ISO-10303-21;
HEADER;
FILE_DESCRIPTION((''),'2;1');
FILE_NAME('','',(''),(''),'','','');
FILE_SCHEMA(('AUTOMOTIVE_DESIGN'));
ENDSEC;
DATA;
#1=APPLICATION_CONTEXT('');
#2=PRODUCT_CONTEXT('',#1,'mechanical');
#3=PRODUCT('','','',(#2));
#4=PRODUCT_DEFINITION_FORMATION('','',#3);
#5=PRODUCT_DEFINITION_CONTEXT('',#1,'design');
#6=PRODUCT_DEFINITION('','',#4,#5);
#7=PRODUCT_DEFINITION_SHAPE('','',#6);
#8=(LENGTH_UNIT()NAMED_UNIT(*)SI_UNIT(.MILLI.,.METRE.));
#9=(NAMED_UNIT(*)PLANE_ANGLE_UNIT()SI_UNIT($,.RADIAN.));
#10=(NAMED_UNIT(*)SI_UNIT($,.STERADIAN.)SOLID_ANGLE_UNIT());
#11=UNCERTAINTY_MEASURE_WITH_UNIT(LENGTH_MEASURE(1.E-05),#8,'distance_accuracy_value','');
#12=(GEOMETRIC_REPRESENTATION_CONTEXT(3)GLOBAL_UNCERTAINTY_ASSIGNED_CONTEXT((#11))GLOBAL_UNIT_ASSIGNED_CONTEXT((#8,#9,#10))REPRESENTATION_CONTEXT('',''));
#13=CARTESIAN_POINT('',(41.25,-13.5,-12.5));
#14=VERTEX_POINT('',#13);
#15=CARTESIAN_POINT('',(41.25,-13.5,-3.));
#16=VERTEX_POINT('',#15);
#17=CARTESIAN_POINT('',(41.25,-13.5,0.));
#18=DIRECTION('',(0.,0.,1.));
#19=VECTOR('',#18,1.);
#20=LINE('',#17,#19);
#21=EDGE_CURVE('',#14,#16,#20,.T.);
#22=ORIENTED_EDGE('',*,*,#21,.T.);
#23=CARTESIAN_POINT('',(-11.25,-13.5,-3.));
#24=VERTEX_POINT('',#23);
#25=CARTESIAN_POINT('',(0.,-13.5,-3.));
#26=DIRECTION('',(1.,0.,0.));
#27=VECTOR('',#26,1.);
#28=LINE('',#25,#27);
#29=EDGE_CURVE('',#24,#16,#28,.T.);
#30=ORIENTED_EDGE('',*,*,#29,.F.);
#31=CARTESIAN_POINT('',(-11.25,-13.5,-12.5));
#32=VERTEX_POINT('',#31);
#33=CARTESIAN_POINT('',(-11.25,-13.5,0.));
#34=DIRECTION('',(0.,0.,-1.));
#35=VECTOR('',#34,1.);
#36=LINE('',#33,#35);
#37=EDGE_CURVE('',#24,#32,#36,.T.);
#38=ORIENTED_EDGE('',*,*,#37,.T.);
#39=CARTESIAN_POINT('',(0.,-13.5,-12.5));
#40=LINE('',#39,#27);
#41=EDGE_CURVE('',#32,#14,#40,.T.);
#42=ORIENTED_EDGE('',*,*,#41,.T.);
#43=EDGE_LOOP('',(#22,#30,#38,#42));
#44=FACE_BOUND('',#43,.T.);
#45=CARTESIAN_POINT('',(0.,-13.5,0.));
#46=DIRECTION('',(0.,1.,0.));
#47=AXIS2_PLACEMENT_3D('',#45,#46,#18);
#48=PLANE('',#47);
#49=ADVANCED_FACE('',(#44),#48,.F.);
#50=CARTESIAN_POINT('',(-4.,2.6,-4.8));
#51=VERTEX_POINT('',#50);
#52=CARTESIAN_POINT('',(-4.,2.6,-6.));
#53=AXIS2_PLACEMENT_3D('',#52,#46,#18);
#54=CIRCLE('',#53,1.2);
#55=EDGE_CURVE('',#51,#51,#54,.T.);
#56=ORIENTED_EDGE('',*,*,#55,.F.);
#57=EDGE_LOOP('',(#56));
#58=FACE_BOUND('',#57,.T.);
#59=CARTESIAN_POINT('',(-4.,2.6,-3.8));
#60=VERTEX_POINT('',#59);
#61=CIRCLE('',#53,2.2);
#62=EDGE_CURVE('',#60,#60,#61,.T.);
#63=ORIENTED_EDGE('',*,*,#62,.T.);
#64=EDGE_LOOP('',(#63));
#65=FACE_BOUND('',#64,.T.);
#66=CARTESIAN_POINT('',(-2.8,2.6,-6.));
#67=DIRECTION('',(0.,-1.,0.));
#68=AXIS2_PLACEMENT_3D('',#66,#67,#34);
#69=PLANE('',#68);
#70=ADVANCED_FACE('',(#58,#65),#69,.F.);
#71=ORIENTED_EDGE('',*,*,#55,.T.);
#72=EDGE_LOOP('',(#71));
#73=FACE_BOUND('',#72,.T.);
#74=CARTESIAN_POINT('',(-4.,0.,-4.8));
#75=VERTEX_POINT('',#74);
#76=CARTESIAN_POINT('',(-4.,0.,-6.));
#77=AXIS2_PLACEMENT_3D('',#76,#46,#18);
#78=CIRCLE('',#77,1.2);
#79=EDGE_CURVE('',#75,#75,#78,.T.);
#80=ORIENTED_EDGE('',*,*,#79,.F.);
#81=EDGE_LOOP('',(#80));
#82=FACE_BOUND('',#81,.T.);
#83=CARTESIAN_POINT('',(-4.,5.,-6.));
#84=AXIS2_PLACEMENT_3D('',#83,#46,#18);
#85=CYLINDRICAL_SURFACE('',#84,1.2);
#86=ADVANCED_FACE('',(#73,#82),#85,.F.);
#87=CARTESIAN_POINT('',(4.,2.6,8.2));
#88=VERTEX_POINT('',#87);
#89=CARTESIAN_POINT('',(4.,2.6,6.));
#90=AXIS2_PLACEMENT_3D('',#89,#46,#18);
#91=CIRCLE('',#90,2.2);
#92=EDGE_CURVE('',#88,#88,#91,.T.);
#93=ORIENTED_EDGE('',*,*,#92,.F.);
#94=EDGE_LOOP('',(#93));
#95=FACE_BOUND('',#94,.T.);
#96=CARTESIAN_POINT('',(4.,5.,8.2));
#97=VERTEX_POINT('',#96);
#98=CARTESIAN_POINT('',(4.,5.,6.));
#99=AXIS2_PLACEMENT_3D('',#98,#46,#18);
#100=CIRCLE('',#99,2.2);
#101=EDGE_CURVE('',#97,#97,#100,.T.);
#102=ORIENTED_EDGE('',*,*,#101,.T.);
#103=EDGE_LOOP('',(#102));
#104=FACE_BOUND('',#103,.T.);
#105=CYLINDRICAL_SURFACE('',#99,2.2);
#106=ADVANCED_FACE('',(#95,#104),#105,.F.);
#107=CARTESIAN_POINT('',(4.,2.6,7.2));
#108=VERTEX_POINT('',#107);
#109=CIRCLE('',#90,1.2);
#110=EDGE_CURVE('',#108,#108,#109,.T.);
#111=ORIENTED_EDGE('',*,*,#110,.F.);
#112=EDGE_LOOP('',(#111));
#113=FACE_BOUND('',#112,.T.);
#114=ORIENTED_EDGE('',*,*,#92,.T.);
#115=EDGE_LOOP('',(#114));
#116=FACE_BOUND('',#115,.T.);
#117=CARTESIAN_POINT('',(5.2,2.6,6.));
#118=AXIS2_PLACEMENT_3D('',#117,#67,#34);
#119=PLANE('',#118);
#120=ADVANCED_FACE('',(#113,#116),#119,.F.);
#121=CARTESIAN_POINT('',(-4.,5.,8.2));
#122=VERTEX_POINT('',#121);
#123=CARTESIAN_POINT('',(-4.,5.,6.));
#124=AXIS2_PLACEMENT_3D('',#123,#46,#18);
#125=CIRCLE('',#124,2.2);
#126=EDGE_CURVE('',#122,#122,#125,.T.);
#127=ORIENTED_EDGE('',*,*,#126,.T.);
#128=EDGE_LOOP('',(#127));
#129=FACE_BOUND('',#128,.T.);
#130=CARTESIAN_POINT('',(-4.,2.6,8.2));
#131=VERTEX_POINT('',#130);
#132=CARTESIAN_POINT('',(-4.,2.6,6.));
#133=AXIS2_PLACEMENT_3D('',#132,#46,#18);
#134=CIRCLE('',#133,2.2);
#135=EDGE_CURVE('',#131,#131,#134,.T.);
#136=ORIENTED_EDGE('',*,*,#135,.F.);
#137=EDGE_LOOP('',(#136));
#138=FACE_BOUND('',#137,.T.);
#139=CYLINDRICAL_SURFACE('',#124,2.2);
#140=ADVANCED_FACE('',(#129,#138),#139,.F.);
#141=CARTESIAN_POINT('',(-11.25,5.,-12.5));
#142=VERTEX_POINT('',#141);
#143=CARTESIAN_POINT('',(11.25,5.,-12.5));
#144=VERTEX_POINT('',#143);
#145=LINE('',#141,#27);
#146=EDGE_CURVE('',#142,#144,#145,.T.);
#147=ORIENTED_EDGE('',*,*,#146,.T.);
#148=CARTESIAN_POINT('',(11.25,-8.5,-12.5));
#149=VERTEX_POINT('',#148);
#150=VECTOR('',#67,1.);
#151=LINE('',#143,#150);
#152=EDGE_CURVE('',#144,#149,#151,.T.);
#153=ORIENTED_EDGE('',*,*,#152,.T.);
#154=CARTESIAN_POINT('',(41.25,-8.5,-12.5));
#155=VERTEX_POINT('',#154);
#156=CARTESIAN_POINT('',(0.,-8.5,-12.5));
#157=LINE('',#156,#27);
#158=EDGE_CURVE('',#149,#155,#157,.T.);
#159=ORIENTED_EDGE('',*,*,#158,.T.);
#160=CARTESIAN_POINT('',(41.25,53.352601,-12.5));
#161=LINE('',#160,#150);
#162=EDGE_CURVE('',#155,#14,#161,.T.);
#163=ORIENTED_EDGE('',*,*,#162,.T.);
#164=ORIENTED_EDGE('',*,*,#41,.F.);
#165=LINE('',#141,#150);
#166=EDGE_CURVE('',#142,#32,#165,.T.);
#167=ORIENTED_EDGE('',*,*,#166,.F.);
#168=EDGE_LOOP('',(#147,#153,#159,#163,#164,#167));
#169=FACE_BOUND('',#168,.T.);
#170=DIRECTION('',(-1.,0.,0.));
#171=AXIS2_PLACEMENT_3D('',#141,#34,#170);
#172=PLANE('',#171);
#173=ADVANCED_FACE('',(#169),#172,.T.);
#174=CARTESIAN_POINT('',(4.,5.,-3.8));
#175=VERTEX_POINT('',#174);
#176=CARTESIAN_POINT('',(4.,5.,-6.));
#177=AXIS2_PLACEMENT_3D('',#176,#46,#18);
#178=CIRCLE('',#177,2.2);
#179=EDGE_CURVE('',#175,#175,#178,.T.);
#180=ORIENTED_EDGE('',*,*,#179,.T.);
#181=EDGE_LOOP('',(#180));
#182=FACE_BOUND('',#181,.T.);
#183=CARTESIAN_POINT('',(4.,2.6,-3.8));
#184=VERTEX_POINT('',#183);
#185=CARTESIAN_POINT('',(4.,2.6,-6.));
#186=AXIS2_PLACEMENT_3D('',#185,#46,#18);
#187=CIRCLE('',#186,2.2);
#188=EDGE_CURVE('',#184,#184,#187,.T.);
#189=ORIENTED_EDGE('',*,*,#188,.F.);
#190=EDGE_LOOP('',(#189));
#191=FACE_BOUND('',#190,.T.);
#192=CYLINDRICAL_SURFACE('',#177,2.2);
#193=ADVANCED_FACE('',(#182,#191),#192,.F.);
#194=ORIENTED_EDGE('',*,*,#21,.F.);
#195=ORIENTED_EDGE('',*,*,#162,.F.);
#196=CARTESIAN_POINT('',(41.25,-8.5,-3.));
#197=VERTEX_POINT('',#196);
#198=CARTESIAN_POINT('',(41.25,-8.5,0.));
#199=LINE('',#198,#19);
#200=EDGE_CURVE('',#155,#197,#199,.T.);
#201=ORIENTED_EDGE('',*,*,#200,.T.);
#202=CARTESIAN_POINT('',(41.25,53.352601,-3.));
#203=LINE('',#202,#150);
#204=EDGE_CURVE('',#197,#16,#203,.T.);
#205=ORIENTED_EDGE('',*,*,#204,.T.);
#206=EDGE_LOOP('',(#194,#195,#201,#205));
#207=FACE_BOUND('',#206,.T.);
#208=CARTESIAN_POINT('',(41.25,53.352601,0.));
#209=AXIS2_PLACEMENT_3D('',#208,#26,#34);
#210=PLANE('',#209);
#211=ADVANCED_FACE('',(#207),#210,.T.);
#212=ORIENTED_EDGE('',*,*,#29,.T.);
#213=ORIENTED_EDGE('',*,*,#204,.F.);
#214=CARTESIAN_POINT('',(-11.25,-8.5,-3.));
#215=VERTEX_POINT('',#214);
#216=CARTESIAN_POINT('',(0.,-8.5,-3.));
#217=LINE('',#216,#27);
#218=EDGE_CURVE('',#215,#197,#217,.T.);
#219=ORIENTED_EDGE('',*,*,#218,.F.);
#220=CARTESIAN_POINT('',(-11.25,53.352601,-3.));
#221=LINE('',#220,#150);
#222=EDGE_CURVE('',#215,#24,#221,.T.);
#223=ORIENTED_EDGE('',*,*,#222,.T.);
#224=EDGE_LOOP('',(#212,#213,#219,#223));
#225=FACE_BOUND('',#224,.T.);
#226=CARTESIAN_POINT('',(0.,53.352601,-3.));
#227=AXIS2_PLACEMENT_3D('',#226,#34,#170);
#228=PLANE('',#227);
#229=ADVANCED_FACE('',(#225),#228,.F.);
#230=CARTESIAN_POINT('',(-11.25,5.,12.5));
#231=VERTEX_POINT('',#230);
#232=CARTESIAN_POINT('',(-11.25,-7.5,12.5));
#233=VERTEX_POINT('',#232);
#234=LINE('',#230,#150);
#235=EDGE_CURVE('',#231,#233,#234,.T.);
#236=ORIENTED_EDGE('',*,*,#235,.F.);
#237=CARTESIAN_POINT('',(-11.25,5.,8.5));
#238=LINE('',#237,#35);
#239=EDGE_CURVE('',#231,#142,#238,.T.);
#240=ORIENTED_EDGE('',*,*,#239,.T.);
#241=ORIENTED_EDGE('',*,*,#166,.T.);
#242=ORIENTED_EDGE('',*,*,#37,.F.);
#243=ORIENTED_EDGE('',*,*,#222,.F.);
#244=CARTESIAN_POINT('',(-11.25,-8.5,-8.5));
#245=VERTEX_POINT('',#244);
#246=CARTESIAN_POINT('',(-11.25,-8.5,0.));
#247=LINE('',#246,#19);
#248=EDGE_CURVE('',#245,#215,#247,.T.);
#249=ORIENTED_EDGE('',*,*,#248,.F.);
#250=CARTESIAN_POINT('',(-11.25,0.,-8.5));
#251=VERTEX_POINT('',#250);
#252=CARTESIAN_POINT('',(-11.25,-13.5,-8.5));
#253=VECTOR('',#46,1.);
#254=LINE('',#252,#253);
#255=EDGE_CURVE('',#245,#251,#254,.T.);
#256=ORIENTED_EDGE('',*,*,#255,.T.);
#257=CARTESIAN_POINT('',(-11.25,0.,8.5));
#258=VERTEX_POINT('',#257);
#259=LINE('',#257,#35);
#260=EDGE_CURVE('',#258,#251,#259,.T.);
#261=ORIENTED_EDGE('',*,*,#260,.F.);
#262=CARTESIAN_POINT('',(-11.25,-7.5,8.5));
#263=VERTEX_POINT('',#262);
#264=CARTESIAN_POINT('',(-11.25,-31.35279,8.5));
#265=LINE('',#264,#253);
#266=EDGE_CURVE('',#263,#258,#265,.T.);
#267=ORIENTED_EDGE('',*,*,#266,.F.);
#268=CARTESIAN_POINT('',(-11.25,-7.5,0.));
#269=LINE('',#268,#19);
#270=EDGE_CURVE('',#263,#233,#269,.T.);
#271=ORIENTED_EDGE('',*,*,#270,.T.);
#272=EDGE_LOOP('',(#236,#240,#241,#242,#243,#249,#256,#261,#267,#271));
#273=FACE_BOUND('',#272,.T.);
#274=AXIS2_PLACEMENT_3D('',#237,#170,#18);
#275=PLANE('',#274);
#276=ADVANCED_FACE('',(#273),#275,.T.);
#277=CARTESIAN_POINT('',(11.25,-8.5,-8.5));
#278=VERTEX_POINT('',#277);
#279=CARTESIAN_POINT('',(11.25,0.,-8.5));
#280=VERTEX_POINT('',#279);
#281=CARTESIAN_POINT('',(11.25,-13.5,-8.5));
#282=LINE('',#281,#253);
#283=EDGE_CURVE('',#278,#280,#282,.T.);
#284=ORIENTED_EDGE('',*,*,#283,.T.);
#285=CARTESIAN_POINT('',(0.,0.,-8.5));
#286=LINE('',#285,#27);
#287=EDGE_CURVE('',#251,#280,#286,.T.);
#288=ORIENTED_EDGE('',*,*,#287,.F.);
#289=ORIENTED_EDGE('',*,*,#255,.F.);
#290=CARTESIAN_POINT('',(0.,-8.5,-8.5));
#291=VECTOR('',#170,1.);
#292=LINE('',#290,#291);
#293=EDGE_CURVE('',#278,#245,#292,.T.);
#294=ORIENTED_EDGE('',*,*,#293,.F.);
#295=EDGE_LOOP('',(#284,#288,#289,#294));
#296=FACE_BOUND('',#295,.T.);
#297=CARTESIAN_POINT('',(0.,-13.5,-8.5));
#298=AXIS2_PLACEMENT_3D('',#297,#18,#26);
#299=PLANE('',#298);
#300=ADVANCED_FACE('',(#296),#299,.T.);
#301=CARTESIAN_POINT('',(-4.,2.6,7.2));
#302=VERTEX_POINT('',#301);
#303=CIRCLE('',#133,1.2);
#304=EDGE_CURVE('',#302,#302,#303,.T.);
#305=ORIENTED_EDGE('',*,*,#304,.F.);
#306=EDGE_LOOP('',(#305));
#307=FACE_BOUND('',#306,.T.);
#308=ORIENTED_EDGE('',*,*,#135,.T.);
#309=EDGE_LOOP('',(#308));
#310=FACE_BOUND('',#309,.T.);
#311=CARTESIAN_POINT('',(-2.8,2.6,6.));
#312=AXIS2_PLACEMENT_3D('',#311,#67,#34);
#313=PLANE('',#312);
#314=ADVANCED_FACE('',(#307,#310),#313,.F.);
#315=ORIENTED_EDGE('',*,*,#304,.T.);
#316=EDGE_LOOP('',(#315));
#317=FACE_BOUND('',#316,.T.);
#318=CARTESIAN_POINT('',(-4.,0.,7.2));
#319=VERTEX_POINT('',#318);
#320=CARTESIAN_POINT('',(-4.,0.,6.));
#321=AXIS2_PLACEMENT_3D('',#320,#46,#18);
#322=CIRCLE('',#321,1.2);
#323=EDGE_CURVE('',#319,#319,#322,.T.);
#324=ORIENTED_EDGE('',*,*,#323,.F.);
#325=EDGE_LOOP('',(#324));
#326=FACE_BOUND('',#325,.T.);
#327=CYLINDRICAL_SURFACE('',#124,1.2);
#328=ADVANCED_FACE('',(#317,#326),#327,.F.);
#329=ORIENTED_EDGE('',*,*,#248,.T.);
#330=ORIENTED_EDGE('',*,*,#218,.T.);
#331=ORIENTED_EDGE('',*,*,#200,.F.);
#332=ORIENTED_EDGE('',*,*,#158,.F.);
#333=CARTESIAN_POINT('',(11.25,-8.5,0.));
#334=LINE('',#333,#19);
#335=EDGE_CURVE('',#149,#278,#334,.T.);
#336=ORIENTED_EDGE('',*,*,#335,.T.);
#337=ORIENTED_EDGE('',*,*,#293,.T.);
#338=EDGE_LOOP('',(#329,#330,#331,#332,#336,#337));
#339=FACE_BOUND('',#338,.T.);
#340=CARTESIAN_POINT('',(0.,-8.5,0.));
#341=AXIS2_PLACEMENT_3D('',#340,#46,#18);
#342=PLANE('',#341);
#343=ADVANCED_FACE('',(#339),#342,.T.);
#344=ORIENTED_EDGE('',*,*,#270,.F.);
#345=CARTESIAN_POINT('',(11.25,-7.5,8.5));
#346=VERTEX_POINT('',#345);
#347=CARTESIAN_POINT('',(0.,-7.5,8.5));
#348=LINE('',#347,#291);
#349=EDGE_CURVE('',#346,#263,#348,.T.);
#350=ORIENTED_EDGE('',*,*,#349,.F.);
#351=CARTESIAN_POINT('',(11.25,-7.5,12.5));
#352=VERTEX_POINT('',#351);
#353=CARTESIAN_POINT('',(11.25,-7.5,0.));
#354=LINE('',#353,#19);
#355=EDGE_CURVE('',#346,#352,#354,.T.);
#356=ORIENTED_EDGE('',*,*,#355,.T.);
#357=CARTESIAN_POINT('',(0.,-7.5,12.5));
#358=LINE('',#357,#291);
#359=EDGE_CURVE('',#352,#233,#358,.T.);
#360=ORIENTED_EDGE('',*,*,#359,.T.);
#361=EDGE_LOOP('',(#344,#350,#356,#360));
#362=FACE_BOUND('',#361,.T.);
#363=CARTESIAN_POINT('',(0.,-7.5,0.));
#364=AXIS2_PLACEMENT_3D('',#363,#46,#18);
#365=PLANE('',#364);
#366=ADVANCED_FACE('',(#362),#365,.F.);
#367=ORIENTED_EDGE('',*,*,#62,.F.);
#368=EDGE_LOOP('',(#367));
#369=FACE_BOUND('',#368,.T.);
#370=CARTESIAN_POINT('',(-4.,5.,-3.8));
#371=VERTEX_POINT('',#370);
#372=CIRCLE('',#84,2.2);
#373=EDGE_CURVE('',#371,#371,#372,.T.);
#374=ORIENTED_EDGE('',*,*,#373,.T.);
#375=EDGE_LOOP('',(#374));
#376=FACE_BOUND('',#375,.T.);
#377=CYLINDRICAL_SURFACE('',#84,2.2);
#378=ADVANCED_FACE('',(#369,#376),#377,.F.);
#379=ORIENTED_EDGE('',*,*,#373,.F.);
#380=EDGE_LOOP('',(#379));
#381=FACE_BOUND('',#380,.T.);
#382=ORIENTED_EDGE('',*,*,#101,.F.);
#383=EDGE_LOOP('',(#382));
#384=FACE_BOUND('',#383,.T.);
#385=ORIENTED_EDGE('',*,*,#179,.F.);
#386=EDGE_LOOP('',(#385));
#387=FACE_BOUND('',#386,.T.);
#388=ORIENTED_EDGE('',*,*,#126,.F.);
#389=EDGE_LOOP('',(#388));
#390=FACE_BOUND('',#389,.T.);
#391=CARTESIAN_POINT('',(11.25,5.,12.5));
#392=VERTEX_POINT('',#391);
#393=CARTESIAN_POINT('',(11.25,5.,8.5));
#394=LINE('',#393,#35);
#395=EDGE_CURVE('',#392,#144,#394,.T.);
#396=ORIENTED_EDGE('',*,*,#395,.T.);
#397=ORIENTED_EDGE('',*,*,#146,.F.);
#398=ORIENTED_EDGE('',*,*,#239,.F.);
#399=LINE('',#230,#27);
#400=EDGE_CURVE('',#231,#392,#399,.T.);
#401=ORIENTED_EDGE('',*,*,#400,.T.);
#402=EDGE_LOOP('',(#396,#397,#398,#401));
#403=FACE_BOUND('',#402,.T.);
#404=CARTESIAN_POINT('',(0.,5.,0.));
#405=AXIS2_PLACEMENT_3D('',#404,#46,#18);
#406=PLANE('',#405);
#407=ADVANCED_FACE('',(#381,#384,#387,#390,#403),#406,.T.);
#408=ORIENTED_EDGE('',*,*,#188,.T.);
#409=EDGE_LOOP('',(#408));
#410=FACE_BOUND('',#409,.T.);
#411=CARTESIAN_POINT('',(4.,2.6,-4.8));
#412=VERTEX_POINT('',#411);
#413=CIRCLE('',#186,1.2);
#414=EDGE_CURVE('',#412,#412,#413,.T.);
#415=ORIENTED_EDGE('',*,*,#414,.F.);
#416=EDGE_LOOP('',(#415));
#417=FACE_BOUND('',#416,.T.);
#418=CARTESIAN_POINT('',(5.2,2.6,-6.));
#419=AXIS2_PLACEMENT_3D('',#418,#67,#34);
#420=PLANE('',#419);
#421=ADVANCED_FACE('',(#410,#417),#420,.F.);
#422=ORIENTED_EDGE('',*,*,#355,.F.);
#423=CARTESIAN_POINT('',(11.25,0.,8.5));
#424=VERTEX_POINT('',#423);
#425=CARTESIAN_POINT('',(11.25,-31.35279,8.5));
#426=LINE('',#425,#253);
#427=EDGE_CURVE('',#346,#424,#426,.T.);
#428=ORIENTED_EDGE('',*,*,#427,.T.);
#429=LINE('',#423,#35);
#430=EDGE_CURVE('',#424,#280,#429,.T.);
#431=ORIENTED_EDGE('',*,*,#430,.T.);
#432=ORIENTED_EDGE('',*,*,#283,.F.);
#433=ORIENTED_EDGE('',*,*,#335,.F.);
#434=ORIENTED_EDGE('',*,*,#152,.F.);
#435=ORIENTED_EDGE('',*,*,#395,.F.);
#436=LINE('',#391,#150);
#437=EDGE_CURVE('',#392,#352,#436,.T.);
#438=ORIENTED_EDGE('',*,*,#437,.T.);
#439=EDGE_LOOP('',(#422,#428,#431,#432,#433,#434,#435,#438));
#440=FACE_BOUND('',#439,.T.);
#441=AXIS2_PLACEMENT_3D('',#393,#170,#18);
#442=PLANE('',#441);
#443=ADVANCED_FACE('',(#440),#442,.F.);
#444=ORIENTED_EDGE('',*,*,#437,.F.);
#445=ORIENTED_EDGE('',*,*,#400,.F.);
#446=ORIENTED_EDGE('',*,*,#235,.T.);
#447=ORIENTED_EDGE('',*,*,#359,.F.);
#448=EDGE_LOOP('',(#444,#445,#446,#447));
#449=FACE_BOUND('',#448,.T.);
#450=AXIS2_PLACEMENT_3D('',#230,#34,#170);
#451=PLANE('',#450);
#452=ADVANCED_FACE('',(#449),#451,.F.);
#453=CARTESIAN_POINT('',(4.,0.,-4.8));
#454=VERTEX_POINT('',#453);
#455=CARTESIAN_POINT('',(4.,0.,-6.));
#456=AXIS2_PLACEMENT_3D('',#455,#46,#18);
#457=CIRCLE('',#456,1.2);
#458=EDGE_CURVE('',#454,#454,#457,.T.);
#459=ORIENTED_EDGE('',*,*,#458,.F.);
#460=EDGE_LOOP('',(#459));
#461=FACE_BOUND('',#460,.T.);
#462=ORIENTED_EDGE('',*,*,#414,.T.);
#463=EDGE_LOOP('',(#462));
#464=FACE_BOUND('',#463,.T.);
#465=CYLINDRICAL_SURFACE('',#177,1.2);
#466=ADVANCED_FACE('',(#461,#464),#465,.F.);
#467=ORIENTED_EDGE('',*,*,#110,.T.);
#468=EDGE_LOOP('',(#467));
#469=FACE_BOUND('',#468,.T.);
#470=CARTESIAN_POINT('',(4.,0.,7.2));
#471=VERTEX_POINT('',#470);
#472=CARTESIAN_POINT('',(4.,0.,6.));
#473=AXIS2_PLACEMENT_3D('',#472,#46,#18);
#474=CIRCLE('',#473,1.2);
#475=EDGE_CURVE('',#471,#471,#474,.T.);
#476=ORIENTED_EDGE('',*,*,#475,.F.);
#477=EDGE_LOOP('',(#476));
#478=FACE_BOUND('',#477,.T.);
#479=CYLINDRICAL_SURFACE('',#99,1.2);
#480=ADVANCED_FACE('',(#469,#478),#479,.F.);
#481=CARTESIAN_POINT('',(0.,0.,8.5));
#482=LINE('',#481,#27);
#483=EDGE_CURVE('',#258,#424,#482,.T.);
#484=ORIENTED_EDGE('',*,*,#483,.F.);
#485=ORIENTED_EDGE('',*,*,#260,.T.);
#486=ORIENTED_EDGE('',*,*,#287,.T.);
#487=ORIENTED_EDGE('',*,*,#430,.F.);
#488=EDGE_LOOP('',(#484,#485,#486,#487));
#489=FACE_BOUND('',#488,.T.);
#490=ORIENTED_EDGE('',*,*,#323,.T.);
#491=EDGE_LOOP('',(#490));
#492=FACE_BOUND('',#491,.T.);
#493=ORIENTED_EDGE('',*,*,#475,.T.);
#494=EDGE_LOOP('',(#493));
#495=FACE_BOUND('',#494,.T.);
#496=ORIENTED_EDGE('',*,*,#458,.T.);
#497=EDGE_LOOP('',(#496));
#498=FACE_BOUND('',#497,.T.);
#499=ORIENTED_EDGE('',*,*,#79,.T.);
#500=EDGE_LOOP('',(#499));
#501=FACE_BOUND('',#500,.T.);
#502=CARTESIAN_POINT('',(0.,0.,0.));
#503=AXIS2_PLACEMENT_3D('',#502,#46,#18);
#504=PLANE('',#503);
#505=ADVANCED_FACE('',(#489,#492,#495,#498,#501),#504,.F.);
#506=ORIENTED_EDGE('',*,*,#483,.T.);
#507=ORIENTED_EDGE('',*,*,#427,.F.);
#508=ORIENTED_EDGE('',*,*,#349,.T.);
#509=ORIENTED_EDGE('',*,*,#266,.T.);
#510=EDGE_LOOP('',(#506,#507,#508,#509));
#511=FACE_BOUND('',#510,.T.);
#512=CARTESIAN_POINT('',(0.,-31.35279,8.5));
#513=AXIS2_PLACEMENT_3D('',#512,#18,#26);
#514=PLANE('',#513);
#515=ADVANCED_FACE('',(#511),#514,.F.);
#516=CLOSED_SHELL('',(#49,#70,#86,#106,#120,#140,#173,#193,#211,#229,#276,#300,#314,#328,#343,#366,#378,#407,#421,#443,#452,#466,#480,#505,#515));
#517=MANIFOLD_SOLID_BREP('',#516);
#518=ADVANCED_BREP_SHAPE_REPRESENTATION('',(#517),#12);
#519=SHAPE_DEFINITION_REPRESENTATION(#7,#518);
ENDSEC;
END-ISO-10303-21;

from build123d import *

# Parameters (mm, degrees)
SKETCH1_W                                           = 22.5
SKETCH1_H                                           = 17
SKETCH1_H_2                                         = 25
BOSS_EXTRUDE1_DEPTH                                 = 5
SKETCH1_3_W                                         = 22.5
SKETCH1_3_H                                         = 4
BOSS_EXTRUDE2_DEPTH                                 = 13.5
CBORE_FOR_M2_HEX_SOCKET_HEAD_CAP_SCREW1_D           = 2.4
CBORE_FOR_M2_HEX_SOCKET_HEAD_CAP_SCREW1_CBORE_D     = 4.4
CBORE_FOR_M2_HEX_SOCKET_HEAD_CAP_SCREW1_CBORE_DEPTH = 2.4
BOSS_EXTRUDE3_DEPTH                                 = 5
SKETCH1_4_W                                         = 22.5
SKETCH1_4_H                                         = 4
BOSS_EXTRUDE4_DEPTH                                 = 7.5


with BuildPart() as part:
    # Sketch1 → Boss-Extrude1 (new body)
    with BuildSketch(Plane(origin=(0, 0, 0), x_dir=(1, 0, 0), z_dir=(0, 1, 0))):
        Rectangle(SKETCH1_W, SKETCH1_H)
        Rectangle(SKETCH1_W, SKETCH1_H_2)
    extrude(amount=BOSS_EXTRUDE1_DEPTH)

    # Sketch1<3> → Boss-Extrude2 (add)
    with BuildSketch(Plane(origin=(0, 0, 0), x_dir=(1, 0, 0), z_dir=(0, 1, 0))):
        with Locations((0, 10.5)):
            Rectangle(SKETCH1_3_W, SKETCH1_3_H)
    extrude(amount=-BOSS_EXTRUDE2_DEPTH)

    # CBORE for M2 Hex Socket Head Cap Screw1 (through all)
    with Locations(Plane(origin=(0, 5, 0), x_dir=(1, 0, 0), z_dir=(0, 1, 0))):
        with Locations((-4, -6), (4, 6), (-4, 6), (4, -6)):
            CounterBoreHole(CBORE_FOR_M2_HEX_SOCKET_HEAD_CAP_SCREW1_D / 2, CBORE_FOR_M2_HEX_SOCKET_HEAD_CAP_SCREW1_CBORE_D / 2, CBORE_FOR_M2_HEX_SOCKET_HEAD_CAP_SCREW1_CBORE_DEPTH)

    # Sketch5 → Boss-Extrude3 (add)
    with BuildSketch(Plane.XZ.offset(13.5)):
        Polygon((-11.25, -3), (-11.25, -8.5), (11.25, -8.5), (11.25, -12.5), (41.25, -12.5), (41.25, -3), align=None)
    extrude(amount=-BOSS_EXTRUDE3_DEPTH)

    # Sketch1<4> → Boss-Extrude4 (add)
    with BuildSketch(Plane(origin=(0, 0, 0), x_dir=(1, 0, 0), z_dir=(0, 1, 0))):
        with Locations((0, -10.5)):
            Rectangle(SKETCH1_4_W, SKETCH1_4_H)
    extrude(amount=-BOSS_EXTRUDE4_DEPTH)


solid = part.part
